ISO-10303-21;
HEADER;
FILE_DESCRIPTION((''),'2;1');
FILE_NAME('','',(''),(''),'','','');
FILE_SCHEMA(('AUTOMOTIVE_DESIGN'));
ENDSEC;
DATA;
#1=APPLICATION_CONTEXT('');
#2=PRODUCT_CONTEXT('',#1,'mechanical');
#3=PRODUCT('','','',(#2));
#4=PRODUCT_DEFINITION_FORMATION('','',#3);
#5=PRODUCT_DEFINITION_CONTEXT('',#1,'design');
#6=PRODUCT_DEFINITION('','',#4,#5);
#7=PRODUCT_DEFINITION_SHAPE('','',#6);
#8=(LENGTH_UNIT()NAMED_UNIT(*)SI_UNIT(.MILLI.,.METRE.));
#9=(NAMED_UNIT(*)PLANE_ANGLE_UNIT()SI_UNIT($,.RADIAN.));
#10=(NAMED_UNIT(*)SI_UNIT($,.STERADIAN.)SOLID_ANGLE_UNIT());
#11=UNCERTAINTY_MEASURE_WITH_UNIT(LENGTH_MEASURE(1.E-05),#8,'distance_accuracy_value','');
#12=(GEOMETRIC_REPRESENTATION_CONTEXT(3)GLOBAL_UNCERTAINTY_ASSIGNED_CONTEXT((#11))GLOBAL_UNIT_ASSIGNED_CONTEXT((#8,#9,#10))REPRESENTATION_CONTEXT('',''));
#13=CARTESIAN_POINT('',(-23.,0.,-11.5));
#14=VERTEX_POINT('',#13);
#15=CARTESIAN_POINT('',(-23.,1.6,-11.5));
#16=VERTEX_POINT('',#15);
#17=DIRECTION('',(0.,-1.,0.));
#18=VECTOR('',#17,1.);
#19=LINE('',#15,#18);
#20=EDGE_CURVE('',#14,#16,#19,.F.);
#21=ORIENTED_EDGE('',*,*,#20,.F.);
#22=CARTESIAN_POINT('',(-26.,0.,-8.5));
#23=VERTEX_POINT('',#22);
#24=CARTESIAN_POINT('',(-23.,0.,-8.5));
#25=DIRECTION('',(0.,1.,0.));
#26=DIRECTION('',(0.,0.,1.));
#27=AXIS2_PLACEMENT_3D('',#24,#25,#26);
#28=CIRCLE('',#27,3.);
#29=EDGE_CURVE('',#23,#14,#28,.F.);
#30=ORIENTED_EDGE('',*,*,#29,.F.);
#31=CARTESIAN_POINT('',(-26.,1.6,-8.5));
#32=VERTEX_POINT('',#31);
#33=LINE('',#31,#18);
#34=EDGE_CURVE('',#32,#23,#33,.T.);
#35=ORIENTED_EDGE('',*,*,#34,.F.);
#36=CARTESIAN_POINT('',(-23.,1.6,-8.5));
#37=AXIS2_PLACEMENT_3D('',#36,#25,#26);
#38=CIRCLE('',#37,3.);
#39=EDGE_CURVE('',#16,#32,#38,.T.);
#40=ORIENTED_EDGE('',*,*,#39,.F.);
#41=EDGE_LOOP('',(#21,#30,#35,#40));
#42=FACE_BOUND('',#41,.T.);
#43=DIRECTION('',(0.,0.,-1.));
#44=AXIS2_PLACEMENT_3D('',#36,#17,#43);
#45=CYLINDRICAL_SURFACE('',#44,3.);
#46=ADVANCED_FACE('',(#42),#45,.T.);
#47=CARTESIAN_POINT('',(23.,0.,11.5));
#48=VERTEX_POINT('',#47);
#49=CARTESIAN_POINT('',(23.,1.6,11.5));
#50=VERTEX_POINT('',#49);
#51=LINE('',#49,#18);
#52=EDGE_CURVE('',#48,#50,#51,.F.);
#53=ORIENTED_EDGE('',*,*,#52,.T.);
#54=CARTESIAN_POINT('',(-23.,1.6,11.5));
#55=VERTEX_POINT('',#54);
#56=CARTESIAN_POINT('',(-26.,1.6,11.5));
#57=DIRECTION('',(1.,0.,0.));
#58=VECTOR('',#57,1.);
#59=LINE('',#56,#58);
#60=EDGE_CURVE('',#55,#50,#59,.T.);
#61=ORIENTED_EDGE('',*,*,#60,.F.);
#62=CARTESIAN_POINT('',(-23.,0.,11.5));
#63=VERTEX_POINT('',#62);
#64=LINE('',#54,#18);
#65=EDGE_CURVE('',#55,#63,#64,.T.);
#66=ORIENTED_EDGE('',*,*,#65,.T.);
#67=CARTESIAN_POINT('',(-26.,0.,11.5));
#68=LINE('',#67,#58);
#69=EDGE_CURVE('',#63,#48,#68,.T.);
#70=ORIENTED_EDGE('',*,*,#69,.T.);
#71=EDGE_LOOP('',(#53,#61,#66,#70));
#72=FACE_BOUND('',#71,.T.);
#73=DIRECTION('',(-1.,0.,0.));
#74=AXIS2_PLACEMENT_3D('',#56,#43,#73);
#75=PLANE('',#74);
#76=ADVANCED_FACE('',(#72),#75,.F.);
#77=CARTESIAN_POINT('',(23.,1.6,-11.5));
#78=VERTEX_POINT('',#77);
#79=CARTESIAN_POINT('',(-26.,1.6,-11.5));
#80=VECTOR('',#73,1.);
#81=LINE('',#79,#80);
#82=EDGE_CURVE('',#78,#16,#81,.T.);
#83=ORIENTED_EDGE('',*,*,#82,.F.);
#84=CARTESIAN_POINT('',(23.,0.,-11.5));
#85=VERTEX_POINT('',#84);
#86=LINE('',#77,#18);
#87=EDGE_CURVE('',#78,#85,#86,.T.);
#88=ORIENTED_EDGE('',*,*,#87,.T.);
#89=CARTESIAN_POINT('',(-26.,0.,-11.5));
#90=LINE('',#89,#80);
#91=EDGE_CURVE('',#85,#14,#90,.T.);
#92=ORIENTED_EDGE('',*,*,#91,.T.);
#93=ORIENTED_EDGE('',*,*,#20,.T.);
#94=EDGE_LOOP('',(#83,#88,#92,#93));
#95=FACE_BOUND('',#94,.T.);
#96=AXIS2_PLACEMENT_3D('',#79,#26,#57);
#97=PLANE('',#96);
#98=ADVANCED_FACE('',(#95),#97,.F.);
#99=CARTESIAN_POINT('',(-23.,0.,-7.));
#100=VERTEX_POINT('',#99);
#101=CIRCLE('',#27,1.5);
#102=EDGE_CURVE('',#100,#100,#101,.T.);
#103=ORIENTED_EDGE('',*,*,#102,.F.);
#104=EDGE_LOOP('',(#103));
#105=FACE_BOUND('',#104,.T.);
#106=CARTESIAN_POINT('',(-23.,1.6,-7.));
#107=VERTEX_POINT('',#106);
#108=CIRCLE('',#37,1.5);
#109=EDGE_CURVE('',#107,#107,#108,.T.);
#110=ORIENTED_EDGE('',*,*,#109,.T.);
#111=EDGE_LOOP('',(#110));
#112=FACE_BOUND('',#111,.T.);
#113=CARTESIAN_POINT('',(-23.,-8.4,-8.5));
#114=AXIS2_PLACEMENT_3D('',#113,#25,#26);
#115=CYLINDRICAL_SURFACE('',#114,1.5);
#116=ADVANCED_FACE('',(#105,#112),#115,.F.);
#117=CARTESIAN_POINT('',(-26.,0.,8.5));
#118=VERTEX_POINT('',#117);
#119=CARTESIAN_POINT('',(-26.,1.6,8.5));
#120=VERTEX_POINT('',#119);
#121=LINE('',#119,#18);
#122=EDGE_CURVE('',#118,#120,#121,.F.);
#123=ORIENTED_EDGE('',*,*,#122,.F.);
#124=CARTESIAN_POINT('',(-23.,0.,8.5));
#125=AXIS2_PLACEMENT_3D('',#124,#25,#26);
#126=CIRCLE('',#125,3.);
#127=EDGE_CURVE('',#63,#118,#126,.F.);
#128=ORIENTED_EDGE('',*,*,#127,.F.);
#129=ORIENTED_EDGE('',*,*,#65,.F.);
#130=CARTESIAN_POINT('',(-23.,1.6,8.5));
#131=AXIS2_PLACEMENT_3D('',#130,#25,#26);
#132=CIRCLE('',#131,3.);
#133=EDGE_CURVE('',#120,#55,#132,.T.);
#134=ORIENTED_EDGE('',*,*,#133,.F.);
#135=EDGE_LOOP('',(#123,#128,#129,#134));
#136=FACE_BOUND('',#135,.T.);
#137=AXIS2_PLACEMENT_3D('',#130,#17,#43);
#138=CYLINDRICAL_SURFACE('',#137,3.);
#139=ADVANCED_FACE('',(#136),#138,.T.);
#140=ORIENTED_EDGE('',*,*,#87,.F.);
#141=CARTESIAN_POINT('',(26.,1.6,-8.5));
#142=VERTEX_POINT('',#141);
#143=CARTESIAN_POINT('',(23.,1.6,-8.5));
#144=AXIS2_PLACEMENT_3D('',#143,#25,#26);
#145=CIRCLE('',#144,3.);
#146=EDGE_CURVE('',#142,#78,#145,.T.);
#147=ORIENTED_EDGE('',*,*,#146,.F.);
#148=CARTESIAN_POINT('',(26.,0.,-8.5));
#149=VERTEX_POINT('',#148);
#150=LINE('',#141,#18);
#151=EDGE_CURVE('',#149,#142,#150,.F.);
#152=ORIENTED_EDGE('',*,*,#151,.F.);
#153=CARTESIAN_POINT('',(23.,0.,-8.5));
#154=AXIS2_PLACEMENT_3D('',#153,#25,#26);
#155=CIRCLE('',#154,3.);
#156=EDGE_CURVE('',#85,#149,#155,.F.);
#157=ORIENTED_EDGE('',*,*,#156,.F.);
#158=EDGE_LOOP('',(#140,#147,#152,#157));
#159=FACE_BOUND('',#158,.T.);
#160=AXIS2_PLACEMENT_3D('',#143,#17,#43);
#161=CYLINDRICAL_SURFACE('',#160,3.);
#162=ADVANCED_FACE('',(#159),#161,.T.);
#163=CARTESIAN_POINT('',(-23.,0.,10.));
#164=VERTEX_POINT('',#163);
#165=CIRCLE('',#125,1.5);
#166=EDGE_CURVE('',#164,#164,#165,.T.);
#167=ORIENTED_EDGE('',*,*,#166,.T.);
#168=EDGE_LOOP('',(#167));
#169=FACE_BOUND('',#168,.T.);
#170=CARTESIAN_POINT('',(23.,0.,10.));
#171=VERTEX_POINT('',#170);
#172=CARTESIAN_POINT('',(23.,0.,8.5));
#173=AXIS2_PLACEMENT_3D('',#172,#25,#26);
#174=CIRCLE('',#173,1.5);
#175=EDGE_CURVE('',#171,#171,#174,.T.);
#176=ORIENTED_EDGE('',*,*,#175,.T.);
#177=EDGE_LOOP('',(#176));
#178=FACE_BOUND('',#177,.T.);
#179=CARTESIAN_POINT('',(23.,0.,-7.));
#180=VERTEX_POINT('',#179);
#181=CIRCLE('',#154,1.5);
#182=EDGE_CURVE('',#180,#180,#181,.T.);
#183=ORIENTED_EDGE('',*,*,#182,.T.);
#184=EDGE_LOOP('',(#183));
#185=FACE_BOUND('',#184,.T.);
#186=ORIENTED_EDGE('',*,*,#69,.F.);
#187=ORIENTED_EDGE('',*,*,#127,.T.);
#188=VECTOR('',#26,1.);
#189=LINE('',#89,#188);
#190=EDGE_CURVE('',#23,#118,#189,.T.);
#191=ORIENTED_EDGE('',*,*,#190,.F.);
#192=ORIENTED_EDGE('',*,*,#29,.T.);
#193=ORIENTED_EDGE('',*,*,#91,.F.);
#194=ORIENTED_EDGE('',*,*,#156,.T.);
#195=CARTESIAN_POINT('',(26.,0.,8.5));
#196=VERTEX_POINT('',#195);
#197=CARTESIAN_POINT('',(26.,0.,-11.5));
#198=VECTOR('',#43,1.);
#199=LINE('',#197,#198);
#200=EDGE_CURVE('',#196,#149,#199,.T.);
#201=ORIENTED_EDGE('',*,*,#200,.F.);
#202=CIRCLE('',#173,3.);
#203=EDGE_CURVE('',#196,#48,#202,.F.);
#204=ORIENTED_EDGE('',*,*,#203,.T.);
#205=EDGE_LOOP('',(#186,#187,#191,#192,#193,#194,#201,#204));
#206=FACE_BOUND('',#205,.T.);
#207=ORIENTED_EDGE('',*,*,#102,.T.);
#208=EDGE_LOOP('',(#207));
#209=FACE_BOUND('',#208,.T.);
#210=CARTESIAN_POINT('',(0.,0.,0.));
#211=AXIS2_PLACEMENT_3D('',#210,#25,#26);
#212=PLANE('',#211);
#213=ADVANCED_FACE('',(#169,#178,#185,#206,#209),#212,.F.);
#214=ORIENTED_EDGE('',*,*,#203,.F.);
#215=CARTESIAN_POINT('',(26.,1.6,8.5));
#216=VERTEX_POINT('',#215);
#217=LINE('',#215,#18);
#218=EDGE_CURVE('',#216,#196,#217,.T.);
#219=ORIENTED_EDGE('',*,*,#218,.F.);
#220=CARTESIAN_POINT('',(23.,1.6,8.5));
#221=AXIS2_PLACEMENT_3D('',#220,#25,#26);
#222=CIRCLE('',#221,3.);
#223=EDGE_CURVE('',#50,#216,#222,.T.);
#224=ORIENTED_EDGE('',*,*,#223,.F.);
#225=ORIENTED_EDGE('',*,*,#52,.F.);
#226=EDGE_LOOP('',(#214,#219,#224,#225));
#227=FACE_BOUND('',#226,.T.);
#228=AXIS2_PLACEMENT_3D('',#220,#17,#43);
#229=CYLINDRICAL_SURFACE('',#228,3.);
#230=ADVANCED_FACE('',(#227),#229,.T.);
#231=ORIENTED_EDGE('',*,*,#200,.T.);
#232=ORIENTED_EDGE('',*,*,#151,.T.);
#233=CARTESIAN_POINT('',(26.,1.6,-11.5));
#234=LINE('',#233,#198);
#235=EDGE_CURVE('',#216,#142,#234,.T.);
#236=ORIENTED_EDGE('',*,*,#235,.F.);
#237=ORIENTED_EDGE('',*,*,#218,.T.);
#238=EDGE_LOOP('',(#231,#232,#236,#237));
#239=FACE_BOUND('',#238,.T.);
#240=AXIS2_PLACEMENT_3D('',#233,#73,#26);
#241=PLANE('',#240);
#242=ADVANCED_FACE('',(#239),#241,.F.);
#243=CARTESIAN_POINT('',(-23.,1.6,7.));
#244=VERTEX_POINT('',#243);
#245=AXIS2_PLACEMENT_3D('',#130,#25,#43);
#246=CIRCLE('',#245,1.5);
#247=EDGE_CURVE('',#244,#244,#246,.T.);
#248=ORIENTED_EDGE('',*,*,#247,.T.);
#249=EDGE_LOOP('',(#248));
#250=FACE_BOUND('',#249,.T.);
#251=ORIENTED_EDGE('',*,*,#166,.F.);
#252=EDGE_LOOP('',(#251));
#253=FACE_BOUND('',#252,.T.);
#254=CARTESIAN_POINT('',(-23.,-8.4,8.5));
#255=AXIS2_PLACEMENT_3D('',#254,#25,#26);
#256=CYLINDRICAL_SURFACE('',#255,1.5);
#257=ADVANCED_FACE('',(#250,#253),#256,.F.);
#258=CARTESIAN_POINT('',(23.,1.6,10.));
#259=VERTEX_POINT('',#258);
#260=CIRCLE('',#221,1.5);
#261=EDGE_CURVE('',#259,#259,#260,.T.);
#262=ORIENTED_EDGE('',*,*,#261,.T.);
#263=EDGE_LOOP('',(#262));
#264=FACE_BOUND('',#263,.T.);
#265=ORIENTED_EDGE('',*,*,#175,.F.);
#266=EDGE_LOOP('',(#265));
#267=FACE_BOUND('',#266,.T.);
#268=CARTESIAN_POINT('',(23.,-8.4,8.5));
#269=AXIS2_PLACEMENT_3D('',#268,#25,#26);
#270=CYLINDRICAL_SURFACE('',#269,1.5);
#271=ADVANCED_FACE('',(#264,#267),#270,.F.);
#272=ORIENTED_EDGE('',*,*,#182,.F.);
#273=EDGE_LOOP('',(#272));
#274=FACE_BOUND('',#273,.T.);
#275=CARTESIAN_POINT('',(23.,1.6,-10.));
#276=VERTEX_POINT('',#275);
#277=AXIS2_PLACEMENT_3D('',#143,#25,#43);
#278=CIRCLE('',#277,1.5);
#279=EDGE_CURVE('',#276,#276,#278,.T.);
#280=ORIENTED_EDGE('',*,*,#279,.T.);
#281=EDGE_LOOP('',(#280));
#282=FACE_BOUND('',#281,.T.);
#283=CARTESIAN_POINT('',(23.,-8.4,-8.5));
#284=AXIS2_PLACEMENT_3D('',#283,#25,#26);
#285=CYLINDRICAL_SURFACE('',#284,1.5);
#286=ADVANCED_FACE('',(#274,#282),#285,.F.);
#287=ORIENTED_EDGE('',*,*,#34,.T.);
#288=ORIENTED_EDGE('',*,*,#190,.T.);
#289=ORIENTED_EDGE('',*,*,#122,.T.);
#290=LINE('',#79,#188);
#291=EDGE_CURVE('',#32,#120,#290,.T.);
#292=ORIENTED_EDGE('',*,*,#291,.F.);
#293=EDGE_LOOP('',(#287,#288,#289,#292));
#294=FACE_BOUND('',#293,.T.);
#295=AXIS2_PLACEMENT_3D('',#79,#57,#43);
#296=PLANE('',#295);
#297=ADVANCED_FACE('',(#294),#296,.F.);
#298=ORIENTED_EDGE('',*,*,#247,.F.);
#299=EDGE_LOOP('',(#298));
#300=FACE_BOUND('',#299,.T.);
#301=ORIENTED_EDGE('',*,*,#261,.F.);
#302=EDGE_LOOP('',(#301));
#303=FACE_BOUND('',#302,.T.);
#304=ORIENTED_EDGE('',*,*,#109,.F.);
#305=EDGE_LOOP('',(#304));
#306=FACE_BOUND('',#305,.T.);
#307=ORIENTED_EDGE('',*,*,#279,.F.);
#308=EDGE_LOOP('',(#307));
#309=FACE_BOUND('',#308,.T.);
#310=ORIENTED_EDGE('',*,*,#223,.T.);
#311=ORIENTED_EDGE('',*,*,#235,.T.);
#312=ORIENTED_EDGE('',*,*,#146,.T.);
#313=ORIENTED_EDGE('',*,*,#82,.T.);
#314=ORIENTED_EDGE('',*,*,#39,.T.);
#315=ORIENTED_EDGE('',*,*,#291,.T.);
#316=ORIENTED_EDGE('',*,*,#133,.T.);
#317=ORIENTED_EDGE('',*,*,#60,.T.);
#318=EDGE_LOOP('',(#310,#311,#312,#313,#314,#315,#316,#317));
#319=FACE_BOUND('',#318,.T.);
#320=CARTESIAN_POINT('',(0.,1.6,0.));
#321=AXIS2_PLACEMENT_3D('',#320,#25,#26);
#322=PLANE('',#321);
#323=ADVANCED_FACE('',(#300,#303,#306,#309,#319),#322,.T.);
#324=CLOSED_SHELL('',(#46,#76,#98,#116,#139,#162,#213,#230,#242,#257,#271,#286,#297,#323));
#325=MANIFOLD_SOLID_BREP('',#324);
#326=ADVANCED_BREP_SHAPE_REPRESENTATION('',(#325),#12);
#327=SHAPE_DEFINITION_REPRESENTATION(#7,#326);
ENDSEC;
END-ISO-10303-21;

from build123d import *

# Parameters (mm, degrees)
SKETCH2_W           = 52
SKETCH2_H           = 23
BOSS_EXTRUDE1_DEPTH = 1.6
FILLET1_R           = 3
SKETCH5_R           = 1.5
CUT_EXTRUDE1_DEPTH  = 10


with BuildPart() as part:
    # Sketch2 → Boss-Extrude1 (new body)
    with BuildSketch(Plane(origin=(0, 0, 0), x_dir=(1, 0, 0), z_dir=(0, 1, 0))):
        Rectangle(SKETCH2_W, SKETCH2_H)
    extrude(amount=BOSS_EXTRUDE1_DEPTH)

    # Fillet1
    fillet1_edges = [part.edges().sort_by_distance(p)[0] for p in [
        (26, 0.8, 11.5),
        (-26, 0.8, 11.5),
        (-26, 0.8, -11.5),
        (26, 0.8, -11.5),
    ]]
    fillet(fillet1_edges, radius=FILLET1_R)

    # Sketch5 → Cut-Extrude1 (cut)
    with BuildSketch(Plane(origin=(0, 1.6, 0), x_dir=(1, 0, 0), z_dir=(0, 1, 0))):
        with Locations(Location((-23, 8.5, 0), (0, 0, 270))):
            Circle(SKETCH5_R)
        with Locations(Location((23, 8.5, 0), (0, 0, 270))):
            Circle(SKETCH5_R)
        with Locations(Location((23, -8.5, 0), (0, 0, 270))):
            Circle(SKETCH5_R)
        with Locations(Location((-23, -8.5, 0), (0, 0, 270))):
            Circle(SKETCH5_R)
    extrude(amount=-CUT_EXTRUDE1_DEPTH, mode=Mode.SUBTRACT)


solid = part.part
